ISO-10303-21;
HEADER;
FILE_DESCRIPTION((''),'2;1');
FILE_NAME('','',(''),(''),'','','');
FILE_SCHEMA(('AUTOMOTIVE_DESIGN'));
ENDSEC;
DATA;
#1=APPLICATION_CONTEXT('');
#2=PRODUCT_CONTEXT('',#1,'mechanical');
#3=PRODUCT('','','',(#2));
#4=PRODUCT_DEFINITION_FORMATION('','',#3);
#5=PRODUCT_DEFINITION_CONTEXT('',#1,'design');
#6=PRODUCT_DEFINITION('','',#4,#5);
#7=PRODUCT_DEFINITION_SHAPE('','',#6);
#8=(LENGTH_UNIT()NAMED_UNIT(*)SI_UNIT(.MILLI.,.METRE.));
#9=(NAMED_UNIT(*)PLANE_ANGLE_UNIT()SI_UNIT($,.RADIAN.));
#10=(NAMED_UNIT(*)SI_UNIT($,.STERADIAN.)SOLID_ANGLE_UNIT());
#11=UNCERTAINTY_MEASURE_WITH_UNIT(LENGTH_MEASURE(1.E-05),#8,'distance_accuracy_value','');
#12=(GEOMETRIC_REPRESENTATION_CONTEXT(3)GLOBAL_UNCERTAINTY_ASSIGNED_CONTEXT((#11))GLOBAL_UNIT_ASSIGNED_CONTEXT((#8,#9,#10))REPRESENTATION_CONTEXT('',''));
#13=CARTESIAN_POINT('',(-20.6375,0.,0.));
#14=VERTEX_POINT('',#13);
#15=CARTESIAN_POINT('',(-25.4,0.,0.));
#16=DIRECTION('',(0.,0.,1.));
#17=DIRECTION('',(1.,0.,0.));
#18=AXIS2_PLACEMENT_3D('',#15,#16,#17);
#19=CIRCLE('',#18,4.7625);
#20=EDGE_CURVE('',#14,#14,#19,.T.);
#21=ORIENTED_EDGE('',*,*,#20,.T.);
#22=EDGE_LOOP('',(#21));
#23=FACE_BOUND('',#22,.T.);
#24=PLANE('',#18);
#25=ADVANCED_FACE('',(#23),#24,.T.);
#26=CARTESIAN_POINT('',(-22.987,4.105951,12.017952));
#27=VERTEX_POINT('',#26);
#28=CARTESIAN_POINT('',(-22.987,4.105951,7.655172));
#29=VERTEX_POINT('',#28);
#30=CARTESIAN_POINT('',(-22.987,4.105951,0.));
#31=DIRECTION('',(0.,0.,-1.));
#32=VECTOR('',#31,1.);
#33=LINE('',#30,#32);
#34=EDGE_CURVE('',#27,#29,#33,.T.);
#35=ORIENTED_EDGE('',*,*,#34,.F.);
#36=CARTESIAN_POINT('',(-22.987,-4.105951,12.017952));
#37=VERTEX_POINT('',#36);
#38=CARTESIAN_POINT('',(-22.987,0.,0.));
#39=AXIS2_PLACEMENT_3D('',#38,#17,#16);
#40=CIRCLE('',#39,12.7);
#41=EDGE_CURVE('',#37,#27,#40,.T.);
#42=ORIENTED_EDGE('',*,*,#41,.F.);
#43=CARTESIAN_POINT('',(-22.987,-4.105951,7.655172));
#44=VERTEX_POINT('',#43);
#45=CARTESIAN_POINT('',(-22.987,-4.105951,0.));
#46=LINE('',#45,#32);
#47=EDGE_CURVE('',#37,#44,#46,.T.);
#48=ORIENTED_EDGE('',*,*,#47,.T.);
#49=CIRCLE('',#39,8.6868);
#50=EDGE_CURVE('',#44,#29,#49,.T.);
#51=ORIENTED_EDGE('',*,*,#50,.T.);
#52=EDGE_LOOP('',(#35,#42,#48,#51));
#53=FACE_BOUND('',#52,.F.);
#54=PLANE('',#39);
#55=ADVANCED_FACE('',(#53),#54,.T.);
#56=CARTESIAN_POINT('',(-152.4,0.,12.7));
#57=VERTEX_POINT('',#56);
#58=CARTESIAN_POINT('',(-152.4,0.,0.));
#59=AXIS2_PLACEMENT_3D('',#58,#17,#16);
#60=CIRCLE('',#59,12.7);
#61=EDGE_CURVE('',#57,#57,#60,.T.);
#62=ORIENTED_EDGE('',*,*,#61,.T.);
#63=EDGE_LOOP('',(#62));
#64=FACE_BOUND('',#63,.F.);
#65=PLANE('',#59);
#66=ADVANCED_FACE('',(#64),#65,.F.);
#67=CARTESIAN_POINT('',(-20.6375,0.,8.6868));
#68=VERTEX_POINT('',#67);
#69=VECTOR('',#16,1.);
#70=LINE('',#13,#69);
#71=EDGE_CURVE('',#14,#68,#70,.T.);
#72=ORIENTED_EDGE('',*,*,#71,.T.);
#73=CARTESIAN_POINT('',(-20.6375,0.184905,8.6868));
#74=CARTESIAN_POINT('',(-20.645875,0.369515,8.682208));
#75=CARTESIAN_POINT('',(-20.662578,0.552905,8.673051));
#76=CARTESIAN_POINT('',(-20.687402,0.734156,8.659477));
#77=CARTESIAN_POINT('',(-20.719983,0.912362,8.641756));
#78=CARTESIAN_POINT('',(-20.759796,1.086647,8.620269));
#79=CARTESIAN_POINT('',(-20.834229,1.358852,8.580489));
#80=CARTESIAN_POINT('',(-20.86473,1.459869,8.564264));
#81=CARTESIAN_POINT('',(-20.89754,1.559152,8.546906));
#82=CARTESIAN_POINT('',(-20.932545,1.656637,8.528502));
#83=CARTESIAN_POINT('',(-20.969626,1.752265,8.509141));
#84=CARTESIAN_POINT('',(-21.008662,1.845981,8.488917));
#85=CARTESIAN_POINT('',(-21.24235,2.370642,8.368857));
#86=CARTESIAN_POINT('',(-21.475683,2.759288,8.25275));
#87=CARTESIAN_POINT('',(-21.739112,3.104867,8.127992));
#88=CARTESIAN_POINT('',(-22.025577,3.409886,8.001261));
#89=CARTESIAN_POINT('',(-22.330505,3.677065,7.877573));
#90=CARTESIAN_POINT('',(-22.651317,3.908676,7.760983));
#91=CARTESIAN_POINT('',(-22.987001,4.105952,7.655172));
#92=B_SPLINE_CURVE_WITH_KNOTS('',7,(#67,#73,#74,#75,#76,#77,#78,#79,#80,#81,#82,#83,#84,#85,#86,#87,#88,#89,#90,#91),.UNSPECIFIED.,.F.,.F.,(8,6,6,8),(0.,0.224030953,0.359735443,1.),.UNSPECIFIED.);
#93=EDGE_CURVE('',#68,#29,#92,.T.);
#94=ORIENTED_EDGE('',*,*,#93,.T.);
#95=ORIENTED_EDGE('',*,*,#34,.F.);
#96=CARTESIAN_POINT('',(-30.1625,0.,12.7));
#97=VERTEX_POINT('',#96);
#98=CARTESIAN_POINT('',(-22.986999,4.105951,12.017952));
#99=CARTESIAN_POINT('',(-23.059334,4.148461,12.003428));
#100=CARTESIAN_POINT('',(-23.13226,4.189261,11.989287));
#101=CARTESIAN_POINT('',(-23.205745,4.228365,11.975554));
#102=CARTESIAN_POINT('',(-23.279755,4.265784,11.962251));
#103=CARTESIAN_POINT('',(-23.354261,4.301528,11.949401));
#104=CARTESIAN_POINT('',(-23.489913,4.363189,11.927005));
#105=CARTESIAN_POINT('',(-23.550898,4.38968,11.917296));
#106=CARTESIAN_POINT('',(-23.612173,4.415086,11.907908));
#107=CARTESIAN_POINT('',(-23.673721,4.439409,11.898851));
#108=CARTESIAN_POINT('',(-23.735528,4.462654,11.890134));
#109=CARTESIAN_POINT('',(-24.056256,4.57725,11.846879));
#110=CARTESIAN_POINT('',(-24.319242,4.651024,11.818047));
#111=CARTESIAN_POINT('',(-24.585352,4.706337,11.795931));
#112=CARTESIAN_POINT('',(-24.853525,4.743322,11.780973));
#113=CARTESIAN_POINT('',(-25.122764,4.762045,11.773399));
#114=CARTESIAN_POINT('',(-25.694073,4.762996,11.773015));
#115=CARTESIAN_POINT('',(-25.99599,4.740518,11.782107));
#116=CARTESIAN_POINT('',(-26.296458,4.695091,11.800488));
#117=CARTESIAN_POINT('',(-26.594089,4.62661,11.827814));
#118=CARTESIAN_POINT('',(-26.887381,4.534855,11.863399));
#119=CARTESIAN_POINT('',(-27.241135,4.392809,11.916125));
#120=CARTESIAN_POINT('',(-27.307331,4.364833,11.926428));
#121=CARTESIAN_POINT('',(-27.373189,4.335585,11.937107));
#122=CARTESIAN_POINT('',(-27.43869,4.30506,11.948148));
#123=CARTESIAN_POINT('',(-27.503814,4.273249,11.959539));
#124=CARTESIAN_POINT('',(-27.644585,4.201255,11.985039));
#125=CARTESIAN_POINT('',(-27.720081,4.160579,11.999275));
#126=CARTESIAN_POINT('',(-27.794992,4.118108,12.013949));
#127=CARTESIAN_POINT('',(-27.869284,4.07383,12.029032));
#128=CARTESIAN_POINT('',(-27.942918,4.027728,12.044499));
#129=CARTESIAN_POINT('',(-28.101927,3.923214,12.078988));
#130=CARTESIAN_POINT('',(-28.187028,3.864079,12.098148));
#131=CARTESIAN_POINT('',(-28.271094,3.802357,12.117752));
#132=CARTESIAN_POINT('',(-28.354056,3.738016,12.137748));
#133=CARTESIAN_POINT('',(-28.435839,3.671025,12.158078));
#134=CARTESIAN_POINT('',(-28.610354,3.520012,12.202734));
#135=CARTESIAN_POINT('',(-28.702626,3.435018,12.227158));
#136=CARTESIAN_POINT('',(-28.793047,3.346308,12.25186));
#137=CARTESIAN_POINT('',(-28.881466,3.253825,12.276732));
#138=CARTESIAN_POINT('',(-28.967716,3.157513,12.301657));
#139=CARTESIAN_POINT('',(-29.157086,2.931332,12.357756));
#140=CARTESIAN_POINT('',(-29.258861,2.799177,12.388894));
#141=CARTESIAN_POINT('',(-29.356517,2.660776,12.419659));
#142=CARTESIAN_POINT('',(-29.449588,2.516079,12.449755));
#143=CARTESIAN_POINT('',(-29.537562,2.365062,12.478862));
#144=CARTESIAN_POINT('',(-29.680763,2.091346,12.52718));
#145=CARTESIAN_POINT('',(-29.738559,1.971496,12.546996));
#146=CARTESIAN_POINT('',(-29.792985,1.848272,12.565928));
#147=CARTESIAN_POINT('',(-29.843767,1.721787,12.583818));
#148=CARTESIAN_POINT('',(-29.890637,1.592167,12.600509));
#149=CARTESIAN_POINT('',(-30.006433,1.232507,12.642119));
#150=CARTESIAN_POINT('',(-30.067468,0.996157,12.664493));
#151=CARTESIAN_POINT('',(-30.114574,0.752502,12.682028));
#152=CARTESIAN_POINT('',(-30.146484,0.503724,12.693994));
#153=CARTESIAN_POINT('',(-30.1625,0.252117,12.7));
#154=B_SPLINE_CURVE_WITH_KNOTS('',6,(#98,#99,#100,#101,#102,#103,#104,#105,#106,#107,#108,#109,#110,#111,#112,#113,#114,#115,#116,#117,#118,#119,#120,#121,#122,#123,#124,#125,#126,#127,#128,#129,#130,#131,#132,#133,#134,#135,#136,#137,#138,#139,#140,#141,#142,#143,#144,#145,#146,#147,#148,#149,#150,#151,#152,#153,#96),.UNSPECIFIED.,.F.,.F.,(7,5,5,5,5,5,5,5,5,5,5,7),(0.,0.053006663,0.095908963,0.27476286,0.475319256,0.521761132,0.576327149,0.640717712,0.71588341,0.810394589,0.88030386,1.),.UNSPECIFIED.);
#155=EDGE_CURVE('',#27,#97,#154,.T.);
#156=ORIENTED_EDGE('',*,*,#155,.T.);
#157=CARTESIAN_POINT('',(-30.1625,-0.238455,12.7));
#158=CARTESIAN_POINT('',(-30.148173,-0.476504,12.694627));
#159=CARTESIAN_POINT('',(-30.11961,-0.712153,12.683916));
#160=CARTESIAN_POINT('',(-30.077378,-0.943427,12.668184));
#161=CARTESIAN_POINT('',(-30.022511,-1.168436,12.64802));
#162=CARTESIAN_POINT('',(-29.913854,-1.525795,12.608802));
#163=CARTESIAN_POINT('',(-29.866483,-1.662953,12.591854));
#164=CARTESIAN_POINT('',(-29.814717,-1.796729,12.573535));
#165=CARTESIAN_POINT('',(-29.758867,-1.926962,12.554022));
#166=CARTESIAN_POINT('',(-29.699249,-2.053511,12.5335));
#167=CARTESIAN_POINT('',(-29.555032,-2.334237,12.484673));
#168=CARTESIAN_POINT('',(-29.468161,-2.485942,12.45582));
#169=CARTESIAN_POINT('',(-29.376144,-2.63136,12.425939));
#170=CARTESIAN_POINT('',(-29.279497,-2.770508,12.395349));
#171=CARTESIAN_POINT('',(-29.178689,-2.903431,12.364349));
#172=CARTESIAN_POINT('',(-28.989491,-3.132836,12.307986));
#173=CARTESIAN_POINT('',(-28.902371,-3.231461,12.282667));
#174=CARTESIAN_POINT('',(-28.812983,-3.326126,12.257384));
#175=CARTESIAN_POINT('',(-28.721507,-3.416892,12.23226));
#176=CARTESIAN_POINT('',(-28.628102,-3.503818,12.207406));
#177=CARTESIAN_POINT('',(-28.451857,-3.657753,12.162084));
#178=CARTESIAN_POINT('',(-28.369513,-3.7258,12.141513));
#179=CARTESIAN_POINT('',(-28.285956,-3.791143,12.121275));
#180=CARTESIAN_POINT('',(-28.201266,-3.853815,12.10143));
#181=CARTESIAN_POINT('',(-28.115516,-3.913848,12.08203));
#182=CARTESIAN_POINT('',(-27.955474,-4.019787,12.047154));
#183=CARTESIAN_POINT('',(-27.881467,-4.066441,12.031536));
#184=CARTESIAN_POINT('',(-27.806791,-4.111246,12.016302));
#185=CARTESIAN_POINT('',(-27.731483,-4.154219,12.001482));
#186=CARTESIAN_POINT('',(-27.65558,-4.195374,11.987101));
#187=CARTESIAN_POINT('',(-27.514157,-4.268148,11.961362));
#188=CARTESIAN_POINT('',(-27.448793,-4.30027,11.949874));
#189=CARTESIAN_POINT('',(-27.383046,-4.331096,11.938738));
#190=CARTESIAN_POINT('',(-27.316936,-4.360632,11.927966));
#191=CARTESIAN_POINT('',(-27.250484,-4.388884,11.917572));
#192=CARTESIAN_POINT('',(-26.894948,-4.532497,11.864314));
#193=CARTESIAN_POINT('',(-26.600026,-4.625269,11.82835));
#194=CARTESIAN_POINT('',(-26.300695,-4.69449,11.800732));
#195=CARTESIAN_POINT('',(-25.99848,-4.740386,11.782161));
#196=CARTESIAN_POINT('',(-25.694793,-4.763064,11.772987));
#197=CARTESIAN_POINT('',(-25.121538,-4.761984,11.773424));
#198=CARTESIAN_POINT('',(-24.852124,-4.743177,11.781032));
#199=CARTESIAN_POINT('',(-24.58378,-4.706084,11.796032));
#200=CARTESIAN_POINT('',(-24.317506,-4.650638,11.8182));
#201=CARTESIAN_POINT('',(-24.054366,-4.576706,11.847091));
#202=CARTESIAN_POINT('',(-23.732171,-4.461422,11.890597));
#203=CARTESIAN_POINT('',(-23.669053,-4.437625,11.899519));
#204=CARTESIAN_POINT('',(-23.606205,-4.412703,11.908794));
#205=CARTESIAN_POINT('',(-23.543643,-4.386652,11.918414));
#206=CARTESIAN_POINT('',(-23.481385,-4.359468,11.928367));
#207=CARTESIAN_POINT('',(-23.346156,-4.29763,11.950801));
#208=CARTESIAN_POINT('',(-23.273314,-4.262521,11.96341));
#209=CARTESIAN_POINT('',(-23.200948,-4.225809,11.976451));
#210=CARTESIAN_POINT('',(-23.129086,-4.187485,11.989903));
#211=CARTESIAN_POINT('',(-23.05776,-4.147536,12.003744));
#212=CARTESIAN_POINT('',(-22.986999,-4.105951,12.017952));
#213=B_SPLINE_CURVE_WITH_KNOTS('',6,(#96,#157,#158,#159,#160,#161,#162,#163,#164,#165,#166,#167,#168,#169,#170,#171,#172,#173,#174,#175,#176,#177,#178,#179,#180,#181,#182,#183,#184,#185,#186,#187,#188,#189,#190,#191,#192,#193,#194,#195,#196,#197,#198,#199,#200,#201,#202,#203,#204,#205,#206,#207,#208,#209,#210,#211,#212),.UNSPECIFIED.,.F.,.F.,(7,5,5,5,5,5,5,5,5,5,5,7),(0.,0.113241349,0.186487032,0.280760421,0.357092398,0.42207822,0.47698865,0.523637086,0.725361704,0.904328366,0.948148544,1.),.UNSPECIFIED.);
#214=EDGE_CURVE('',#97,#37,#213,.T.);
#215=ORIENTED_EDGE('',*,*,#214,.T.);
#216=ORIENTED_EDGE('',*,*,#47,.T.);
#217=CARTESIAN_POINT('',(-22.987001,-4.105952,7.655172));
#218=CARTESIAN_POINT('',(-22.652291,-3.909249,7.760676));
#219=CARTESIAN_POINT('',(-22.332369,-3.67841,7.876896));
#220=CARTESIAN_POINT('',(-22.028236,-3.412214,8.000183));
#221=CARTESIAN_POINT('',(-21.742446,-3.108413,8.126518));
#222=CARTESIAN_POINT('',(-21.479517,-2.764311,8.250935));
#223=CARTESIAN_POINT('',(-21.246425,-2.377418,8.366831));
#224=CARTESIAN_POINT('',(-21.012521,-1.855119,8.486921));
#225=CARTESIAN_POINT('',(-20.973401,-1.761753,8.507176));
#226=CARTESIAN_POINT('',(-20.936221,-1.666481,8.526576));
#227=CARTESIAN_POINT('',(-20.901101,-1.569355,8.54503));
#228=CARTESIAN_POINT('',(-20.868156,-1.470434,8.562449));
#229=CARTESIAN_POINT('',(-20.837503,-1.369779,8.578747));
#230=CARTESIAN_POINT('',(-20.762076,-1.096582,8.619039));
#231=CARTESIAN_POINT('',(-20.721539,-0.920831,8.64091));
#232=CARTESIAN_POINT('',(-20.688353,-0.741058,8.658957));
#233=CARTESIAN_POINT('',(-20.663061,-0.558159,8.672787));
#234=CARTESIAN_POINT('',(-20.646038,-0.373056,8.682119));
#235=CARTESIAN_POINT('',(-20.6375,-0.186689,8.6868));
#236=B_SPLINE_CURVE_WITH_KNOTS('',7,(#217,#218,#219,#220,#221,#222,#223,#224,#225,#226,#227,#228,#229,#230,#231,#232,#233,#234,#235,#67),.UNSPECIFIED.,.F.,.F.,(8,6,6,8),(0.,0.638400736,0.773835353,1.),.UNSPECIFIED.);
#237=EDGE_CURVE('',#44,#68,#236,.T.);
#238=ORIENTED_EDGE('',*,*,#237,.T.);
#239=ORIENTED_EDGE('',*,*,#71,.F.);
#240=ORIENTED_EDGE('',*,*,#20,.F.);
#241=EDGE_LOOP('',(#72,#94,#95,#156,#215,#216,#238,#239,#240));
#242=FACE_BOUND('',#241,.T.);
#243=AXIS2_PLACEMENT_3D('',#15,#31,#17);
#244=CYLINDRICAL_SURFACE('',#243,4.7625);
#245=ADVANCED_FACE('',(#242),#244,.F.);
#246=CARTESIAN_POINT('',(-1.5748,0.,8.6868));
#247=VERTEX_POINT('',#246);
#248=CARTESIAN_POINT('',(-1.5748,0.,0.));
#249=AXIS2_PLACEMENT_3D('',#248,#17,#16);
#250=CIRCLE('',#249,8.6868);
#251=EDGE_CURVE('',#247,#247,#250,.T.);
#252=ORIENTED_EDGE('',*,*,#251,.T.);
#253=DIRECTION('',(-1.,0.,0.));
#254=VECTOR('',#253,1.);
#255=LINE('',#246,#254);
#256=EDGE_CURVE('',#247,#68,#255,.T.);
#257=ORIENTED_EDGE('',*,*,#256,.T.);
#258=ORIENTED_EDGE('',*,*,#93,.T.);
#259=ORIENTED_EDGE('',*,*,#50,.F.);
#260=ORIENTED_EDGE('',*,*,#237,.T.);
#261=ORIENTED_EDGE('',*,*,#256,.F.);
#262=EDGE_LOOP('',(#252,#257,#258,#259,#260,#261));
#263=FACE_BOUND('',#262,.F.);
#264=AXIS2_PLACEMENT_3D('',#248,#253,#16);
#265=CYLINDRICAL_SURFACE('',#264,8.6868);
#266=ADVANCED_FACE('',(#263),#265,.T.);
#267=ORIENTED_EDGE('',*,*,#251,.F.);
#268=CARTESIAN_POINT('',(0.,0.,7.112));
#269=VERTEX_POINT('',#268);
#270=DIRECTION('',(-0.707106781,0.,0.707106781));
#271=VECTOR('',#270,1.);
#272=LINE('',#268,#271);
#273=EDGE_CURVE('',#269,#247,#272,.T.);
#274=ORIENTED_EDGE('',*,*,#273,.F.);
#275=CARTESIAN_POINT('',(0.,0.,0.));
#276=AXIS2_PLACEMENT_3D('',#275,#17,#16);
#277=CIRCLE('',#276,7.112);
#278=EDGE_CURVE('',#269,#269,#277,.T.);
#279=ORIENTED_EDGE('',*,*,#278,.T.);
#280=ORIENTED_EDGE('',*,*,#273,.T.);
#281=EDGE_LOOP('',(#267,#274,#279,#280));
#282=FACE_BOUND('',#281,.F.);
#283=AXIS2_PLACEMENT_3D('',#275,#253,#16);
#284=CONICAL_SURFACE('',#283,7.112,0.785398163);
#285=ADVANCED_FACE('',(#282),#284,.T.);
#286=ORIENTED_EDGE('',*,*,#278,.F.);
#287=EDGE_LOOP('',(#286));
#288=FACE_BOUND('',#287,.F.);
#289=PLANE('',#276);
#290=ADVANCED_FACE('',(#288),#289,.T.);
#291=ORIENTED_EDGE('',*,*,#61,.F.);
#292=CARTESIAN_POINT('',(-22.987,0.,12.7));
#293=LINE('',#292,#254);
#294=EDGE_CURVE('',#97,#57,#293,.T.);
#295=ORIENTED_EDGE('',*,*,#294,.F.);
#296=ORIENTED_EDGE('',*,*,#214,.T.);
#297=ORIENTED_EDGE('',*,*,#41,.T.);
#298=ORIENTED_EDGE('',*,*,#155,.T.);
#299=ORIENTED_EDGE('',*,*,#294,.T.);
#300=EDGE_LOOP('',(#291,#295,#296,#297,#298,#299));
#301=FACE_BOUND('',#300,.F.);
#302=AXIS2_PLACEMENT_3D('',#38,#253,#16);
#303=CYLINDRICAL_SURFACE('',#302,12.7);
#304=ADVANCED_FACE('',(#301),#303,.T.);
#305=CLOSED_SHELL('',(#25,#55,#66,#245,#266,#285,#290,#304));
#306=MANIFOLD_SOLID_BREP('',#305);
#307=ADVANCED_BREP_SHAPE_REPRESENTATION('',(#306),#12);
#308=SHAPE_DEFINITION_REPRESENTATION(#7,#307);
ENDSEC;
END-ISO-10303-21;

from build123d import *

# Parameters (mm, degrees)
F2_R     = 4.7625
F3_DEPTH = 25.4


with BuildPart() as f1:
    # F0 (on Front) → F1 (revolve)
    with BuildSketch(Plane.XZ):
        Polygon((-152.4, 0), (0, 0), (0, 7.112), (-1.5748, 8.6868), (-22.987, 8.6868), (-22.987, 12.7), (-152.4, 12.7), align=None)
    revolve(axis=Axis((-76.2, 0, 0), (1, 0, 0)))

    # F2 (on Top) → F3 (cut)
    with BuildSketch(Plane.XY):
        with Locations((-25.4, 0)):
            Circle(F2_R)
    extrude(amount=F3_DEPTH, mode=Mode.SUBTRACT)


solid = f1.part
